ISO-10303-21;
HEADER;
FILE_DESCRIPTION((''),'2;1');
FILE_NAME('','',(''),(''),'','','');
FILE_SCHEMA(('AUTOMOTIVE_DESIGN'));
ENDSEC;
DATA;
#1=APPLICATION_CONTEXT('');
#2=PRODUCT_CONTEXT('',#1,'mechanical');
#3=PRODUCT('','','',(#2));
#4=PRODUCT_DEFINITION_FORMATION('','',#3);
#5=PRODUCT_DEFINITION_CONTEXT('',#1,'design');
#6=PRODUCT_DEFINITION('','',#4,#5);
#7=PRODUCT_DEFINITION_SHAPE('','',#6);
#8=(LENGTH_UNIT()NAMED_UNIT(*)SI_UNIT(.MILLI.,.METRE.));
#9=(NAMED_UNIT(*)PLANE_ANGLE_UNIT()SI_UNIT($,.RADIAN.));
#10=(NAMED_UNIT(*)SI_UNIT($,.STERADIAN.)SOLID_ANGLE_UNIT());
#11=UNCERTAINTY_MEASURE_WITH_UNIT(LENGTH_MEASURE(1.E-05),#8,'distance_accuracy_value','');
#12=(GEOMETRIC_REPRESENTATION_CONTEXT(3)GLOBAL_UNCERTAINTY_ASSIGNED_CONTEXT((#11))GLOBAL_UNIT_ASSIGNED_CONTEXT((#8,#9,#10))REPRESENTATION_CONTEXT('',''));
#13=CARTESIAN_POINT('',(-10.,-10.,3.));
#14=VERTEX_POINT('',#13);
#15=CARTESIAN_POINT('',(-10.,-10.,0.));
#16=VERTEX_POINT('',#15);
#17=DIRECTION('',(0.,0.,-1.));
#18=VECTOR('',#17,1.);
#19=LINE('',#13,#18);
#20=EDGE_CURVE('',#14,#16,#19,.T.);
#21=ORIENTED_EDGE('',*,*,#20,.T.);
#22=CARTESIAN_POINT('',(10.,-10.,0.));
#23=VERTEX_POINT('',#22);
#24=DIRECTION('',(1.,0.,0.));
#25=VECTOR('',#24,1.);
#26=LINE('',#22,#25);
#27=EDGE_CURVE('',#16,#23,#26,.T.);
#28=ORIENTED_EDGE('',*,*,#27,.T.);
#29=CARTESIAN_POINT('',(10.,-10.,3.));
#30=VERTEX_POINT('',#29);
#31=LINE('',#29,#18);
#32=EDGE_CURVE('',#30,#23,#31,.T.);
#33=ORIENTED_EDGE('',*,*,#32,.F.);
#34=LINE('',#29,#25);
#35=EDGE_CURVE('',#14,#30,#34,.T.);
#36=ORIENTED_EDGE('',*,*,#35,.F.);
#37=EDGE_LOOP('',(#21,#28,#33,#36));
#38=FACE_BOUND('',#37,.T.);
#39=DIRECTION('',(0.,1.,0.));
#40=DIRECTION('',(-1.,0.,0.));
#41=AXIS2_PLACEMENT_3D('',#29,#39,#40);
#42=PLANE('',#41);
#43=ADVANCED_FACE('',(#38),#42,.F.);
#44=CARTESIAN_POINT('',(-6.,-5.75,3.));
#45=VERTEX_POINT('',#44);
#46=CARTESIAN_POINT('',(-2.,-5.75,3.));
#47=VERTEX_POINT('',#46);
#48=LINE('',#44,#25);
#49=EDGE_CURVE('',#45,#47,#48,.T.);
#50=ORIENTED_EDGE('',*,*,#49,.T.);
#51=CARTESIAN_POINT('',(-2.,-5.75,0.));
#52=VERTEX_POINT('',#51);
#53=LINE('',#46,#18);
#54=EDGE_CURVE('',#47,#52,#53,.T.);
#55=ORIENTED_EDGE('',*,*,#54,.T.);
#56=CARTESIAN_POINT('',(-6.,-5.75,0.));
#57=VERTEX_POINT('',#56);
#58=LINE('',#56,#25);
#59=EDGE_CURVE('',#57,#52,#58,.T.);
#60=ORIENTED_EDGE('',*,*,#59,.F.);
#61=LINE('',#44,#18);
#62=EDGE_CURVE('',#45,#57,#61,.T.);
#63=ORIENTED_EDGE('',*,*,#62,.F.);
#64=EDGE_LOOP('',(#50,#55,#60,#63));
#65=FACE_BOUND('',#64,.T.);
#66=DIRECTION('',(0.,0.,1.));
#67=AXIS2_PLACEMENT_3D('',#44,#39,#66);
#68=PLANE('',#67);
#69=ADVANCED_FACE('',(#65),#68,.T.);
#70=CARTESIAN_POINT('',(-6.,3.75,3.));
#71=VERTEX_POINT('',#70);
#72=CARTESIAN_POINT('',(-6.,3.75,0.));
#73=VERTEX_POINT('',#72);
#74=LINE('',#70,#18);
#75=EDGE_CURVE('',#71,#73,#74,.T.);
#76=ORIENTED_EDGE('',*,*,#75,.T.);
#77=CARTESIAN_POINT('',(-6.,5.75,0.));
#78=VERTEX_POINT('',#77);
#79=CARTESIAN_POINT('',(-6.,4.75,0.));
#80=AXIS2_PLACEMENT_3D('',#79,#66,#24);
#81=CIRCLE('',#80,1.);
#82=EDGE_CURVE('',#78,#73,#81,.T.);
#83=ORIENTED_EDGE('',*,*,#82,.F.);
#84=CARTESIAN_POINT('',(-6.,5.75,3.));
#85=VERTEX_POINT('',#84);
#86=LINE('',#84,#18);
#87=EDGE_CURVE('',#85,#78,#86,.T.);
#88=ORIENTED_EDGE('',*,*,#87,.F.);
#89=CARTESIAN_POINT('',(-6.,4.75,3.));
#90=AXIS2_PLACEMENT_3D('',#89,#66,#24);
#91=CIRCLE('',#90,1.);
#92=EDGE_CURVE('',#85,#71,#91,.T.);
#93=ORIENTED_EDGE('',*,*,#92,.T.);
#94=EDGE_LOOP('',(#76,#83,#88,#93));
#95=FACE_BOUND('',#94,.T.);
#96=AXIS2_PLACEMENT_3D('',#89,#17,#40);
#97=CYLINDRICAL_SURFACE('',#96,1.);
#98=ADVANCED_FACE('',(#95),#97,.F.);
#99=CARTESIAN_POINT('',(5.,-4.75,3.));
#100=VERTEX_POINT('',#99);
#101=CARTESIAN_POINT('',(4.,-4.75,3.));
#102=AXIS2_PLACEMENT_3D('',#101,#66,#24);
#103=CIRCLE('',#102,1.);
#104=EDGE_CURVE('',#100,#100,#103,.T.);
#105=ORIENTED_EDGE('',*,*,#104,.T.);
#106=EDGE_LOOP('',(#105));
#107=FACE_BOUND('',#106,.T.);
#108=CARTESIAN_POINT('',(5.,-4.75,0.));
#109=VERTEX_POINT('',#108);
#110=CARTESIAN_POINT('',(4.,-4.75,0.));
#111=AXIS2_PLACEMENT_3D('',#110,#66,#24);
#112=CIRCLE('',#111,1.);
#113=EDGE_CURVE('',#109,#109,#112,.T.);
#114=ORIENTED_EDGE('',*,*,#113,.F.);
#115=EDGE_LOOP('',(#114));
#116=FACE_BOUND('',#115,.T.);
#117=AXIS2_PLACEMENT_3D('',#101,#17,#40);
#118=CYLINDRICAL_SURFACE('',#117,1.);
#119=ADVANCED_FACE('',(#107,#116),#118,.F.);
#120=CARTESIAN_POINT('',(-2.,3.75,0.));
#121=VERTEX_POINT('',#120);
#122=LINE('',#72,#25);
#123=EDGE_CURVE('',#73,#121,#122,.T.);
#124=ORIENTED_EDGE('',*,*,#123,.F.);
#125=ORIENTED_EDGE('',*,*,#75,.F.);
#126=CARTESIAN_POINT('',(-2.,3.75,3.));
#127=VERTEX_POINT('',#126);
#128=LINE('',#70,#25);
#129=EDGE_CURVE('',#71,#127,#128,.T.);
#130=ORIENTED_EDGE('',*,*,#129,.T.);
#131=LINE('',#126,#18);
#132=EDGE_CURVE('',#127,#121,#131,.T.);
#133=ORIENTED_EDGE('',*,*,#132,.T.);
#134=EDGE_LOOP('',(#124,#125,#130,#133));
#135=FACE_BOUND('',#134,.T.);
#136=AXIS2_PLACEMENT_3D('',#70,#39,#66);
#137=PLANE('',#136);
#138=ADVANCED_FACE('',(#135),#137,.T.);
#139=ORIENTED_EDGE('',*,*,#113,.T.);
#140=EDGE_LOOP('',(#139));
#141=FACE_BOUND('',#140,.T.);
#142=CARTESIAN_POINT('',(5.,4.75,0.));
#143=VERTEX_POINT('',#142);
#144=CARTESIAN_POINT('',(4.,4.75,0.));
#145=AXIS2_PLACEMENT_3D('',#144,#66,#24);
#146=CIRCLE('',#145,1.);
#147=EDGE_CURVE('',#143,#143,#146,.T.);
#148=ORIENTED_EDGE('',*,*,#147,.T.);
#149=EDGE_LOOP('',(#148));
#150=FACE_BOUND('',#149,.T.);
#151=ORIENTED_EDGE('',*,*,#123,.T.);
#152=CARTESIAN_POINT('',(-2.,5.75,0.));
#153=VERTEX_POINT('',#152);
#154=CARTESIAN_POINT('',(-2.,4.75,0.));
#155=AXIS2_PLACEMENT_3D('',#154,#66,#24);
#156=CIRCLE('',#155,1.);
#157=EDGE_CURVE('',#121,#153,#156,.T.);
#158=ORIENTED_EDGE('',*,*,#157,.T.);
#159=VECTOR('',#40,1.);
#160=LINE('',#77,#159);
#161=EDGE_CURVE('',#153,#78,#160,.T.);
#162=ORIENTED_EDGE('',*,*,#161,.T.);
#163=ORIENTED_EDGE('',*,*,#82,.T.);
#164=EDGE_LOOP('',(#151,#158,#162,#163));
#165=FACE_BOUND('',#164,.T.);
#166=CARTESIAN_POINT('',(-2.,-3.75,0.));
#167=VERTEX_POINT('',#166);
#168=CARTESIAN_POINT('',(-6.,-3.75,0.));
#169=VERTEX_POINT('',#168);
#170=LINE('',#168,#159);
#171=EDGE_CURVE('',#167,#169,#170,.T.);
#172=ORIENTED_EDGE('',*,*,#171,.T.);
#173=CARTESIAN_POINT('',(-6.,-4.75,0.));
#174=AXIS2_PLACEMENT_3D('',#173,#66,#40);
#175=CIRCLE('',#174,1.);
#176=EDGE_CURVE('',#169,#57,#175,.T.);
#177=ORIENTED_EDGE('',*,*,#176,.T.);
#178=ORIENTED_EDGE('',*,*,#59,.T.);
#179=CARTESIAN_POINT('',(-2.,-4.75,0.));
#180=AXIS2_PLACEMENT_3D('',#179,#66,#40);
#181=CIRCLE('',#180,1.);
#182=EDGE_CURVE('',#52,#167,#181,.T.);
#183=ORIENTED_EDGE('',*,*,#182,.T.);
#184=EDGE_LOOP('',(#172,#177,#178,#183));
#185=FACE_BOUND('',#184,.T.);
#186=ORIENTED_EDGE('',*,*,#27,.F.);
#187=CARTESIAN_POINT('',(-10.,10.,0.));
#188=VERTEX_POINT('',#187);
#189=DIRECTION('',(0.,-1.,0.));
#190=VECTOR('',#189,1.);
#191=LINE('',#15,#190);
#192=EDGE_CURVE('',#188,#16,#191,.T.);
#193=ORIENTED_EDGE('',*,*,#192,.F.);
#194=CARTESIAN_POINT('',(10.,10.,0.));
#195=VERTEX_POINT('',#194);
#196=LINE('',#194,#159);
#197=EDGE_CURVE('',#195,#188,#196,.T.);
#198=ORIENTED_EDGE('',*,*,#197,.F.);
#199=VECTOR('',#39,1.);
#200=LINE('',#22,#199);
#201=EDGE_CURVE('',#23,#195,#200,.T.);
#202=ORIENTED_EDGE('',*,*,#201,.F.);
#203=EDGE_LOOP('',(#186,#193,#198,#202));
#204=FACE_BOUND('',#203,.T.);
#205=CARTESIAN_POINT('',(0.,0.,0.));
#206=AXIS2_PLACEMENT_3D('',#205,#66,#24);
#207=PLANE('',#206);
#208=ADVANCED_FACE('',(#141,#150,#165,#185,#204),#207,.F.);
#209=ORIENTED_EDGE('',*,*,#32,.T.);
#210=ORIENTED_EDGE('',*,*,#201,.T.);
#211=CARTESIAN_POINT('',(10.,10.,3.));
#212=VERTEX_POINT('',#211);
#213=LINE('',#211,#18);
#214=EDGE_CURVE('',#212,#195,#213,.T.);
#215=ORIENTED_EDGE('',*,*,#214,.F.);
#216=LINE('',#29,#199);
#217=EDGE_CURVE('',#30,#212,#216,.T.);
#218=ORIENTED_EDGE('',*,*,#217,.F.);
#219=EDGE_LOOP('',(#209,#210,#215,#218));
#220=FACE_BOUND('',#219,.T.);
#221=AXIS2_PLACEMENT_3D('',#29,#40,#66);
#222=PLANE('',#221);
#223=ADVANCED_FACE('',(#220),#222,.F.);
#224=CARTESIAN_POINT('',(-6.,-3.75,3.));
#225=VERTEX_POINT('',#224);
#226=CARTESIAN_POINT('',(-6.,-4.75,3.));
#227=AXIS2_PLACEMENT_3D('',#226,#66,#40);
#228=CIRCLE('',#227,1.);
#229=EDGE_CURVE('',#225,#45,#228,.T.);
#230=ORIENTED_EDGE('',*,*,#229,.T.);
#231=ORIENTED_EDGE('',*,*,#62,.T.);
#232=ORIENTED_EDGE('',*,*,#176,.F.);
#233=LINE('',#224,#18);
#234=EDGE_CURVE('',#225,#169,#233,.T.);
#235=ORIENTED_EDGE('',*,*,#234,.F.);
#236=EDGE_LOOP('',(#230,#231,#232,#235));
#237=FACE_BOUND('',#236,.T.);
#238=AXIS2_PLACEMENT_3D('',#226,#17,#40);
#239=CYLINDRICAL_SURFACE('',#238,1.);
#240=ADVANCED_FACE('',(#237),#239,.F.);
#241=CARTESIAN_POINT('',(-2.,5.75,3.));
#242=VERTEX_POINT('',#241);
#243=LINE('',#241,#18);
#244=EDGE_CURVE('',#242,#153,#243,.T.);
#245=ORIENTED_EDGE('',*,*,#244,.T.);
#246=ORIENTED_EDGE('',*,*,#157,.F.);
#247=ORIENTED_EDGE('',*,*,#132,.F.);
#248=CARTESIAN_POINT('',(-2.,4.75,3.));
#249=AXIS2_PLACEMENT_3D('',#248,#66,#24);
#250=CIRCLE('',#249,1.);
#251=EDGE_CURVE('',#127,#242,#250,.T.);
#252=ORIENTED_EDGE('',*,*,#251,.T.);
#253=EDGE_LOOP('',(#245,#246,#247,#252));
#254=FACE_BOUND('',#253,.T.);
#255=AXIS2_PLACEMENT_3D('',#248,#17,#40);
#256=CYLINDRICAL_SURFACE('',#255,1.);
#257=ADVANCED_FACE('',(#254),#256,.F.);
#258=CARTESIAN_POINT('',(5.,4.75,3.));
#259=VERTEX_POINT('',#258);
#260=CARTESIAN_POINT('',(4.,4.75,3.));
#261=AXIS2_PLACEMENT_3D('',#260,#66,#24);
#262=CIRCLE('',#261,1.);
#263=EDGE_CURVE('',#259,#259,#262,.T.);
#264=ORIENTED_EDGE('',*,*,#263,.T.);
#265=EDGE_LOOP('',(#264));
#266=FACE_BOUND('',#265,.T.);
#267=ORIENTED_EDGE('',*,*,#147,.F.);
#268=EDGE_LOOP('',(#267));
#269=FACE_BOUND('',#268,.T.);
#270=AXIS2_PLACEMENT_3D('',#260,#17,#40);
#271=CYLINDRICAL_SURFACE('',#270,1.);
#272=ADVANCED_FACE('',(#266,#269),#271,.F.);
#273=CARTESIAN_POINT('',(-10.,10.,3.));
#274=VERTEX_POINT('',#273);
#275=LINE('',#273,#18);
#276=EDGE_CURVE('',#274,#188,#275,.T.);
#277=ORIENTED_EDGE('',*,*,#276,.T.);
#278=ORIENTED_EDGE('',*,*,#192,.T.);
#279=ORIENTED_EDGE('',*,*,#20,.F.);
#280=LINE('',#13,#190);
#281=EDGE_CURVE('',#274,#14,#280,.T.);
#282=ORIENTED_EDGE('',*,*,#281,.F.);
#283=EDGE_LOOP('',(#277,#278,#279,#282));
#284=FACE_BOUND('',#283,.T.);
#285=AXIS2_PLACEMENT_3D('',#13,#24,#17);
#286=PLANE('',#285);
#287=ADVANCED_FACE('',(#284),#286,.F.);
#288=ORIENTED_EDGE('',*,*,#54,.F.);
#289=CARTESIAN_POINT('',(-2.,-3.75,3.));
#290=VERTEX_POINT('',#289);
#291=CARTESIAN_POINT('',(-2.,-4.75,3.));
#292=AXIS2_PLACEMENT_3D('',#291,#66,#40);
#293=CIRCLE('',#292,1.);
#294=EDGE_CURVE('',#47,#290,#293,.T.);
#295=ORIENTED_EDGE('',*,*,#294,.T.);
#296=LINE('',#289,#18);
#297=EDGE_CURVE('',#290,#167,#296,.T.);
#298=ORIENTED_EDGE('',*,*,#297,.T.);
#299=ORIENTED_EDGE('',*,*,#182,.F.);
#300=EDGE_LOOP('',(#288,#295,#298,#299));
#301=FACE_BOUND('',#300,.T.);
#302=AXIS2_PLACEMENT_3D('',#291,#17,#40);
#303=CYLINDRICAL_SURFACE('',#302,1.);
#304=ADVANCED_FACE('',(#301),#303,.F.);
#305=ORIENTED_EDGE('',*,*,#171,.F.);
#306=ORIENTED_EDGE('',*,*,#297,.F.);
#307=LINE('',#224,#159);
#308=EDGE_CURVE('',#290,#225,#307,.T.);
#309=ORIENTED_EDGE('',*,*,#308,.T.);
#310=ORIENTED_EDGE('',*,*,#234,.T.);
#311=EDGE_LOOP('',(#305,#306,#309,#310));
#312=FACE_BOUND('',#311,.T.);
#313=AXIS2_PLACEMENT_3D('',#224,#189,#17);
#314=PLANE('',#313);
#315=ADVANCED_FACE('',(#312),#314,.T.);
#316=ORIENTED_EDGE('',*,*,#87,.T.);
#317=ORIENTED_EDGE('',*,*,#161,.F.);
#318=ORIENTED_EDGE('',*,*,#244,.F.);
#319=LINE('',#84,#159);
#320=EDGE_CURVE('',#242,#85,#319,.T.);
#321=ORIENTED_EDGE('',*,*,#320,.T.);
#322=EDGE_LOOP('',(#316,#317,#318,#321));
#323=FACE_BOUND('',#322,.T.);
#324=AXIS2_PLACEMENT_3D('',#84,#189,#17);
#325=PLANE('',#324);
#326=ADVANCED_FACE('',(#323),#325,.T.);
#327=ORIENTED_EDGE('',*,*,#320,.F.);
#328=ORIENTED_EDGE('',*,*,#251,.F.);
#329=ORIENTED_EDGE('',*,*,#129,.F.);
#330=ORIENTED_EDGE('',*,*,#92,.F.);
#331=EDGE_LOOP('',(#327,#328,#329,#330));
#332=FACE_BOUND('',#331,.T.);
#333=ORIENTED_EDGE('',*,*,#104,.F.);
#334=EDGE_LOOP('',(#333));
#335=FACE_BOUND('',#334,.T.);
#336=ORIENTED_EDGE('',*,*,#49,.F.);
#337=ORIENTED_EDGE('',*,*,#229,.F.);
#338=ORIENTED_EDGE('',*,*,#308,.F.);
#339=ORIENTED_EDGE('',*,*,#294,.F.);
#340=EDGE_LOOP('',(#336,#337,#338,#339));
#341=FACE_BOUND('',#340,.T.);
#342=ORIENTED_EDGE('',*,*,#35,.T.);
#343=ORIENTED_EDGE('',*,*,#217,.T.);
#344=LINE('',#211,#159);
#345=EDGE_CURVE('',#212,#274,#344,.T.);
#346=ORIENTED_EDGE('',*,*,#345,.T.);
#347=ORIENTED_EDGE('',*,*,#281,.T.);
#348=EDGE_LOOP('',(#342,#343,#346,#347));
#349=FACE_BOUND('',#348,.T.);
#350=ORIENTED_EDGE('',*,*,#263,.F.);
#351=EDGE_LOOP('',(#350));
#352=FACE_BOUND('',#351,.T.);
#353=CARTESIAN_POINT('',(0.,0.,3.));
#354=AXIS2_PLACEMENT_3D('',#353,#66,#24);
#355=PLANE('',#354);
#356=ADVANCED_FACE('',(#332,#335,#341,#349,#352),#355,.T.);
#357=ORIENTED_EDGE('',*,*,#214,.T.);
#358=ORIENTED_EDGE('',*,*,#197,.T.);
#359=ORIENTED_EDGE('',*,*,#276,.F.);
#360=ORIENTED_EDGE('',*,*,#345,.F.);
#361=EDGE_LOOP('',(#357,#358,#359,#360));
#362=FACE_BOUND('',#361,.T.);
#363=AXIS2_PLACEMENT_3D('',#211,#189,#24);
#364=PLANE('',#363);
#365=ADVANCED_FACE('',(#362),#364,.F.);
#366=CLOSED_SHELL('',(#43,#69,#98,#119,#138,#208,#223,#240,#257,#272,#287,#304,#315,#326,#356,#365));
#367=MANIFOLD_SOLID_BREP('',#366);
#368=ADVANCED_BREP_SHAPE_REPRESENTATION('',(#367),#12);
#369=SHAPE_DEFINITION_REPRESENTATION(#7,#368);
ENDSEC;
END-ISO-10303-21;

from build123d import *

# Parameters (mm, degrees)
SKETCH_1_W      = 20
SKETCH_1_H      = 20
SKETCH_1_R      = 1
EXTRUDE_1_DEPTH = 3


with BuildPart() as part:
    # 草图1 → 凸台-拉伸1 (new body)
    with BuildSketch(Plane.XY):
        Rectangle(SKETCH_1_W, SKETCH_1_H)
        with Locations((4, 4.75)):
            Circle(SKETCH_1_R, mode=Mode.SUBTRACT)
        with Locations((4, -4.75)):
            Circle(SKETCH_1_R, mode=Mode.SUBTRACT)
        with BuildLine():
            Line((-6, 5.75), (-2, 5.75))
            ThreePointArc((-2, 5.75), (-1, 4.75), (-2, 3.75))
            Line((-2, 3.75), (-6, 3.75))
            ThreePointArc((-6, 3.75), (-7, 4.75), (-6, 5.75))
        make_face(mode=Mode.SUBTRACT)
        with BuildLine():
            Line((-6, -5.75), (-2, -5.75))
            ThreePointArc((-2, -5.75), (-1, -4.75), (-2, -3.75))
            Line((-2, -3.75), (-6, -3.75))
            ThreePointArc((-6, -3.75), (-7, -4.75), (-6, -5.75))
        make_face(mode=Mode.SUBTRACT)
    extrude(amount=EXTRUDE_1_DEPTH)


solid = part.part
